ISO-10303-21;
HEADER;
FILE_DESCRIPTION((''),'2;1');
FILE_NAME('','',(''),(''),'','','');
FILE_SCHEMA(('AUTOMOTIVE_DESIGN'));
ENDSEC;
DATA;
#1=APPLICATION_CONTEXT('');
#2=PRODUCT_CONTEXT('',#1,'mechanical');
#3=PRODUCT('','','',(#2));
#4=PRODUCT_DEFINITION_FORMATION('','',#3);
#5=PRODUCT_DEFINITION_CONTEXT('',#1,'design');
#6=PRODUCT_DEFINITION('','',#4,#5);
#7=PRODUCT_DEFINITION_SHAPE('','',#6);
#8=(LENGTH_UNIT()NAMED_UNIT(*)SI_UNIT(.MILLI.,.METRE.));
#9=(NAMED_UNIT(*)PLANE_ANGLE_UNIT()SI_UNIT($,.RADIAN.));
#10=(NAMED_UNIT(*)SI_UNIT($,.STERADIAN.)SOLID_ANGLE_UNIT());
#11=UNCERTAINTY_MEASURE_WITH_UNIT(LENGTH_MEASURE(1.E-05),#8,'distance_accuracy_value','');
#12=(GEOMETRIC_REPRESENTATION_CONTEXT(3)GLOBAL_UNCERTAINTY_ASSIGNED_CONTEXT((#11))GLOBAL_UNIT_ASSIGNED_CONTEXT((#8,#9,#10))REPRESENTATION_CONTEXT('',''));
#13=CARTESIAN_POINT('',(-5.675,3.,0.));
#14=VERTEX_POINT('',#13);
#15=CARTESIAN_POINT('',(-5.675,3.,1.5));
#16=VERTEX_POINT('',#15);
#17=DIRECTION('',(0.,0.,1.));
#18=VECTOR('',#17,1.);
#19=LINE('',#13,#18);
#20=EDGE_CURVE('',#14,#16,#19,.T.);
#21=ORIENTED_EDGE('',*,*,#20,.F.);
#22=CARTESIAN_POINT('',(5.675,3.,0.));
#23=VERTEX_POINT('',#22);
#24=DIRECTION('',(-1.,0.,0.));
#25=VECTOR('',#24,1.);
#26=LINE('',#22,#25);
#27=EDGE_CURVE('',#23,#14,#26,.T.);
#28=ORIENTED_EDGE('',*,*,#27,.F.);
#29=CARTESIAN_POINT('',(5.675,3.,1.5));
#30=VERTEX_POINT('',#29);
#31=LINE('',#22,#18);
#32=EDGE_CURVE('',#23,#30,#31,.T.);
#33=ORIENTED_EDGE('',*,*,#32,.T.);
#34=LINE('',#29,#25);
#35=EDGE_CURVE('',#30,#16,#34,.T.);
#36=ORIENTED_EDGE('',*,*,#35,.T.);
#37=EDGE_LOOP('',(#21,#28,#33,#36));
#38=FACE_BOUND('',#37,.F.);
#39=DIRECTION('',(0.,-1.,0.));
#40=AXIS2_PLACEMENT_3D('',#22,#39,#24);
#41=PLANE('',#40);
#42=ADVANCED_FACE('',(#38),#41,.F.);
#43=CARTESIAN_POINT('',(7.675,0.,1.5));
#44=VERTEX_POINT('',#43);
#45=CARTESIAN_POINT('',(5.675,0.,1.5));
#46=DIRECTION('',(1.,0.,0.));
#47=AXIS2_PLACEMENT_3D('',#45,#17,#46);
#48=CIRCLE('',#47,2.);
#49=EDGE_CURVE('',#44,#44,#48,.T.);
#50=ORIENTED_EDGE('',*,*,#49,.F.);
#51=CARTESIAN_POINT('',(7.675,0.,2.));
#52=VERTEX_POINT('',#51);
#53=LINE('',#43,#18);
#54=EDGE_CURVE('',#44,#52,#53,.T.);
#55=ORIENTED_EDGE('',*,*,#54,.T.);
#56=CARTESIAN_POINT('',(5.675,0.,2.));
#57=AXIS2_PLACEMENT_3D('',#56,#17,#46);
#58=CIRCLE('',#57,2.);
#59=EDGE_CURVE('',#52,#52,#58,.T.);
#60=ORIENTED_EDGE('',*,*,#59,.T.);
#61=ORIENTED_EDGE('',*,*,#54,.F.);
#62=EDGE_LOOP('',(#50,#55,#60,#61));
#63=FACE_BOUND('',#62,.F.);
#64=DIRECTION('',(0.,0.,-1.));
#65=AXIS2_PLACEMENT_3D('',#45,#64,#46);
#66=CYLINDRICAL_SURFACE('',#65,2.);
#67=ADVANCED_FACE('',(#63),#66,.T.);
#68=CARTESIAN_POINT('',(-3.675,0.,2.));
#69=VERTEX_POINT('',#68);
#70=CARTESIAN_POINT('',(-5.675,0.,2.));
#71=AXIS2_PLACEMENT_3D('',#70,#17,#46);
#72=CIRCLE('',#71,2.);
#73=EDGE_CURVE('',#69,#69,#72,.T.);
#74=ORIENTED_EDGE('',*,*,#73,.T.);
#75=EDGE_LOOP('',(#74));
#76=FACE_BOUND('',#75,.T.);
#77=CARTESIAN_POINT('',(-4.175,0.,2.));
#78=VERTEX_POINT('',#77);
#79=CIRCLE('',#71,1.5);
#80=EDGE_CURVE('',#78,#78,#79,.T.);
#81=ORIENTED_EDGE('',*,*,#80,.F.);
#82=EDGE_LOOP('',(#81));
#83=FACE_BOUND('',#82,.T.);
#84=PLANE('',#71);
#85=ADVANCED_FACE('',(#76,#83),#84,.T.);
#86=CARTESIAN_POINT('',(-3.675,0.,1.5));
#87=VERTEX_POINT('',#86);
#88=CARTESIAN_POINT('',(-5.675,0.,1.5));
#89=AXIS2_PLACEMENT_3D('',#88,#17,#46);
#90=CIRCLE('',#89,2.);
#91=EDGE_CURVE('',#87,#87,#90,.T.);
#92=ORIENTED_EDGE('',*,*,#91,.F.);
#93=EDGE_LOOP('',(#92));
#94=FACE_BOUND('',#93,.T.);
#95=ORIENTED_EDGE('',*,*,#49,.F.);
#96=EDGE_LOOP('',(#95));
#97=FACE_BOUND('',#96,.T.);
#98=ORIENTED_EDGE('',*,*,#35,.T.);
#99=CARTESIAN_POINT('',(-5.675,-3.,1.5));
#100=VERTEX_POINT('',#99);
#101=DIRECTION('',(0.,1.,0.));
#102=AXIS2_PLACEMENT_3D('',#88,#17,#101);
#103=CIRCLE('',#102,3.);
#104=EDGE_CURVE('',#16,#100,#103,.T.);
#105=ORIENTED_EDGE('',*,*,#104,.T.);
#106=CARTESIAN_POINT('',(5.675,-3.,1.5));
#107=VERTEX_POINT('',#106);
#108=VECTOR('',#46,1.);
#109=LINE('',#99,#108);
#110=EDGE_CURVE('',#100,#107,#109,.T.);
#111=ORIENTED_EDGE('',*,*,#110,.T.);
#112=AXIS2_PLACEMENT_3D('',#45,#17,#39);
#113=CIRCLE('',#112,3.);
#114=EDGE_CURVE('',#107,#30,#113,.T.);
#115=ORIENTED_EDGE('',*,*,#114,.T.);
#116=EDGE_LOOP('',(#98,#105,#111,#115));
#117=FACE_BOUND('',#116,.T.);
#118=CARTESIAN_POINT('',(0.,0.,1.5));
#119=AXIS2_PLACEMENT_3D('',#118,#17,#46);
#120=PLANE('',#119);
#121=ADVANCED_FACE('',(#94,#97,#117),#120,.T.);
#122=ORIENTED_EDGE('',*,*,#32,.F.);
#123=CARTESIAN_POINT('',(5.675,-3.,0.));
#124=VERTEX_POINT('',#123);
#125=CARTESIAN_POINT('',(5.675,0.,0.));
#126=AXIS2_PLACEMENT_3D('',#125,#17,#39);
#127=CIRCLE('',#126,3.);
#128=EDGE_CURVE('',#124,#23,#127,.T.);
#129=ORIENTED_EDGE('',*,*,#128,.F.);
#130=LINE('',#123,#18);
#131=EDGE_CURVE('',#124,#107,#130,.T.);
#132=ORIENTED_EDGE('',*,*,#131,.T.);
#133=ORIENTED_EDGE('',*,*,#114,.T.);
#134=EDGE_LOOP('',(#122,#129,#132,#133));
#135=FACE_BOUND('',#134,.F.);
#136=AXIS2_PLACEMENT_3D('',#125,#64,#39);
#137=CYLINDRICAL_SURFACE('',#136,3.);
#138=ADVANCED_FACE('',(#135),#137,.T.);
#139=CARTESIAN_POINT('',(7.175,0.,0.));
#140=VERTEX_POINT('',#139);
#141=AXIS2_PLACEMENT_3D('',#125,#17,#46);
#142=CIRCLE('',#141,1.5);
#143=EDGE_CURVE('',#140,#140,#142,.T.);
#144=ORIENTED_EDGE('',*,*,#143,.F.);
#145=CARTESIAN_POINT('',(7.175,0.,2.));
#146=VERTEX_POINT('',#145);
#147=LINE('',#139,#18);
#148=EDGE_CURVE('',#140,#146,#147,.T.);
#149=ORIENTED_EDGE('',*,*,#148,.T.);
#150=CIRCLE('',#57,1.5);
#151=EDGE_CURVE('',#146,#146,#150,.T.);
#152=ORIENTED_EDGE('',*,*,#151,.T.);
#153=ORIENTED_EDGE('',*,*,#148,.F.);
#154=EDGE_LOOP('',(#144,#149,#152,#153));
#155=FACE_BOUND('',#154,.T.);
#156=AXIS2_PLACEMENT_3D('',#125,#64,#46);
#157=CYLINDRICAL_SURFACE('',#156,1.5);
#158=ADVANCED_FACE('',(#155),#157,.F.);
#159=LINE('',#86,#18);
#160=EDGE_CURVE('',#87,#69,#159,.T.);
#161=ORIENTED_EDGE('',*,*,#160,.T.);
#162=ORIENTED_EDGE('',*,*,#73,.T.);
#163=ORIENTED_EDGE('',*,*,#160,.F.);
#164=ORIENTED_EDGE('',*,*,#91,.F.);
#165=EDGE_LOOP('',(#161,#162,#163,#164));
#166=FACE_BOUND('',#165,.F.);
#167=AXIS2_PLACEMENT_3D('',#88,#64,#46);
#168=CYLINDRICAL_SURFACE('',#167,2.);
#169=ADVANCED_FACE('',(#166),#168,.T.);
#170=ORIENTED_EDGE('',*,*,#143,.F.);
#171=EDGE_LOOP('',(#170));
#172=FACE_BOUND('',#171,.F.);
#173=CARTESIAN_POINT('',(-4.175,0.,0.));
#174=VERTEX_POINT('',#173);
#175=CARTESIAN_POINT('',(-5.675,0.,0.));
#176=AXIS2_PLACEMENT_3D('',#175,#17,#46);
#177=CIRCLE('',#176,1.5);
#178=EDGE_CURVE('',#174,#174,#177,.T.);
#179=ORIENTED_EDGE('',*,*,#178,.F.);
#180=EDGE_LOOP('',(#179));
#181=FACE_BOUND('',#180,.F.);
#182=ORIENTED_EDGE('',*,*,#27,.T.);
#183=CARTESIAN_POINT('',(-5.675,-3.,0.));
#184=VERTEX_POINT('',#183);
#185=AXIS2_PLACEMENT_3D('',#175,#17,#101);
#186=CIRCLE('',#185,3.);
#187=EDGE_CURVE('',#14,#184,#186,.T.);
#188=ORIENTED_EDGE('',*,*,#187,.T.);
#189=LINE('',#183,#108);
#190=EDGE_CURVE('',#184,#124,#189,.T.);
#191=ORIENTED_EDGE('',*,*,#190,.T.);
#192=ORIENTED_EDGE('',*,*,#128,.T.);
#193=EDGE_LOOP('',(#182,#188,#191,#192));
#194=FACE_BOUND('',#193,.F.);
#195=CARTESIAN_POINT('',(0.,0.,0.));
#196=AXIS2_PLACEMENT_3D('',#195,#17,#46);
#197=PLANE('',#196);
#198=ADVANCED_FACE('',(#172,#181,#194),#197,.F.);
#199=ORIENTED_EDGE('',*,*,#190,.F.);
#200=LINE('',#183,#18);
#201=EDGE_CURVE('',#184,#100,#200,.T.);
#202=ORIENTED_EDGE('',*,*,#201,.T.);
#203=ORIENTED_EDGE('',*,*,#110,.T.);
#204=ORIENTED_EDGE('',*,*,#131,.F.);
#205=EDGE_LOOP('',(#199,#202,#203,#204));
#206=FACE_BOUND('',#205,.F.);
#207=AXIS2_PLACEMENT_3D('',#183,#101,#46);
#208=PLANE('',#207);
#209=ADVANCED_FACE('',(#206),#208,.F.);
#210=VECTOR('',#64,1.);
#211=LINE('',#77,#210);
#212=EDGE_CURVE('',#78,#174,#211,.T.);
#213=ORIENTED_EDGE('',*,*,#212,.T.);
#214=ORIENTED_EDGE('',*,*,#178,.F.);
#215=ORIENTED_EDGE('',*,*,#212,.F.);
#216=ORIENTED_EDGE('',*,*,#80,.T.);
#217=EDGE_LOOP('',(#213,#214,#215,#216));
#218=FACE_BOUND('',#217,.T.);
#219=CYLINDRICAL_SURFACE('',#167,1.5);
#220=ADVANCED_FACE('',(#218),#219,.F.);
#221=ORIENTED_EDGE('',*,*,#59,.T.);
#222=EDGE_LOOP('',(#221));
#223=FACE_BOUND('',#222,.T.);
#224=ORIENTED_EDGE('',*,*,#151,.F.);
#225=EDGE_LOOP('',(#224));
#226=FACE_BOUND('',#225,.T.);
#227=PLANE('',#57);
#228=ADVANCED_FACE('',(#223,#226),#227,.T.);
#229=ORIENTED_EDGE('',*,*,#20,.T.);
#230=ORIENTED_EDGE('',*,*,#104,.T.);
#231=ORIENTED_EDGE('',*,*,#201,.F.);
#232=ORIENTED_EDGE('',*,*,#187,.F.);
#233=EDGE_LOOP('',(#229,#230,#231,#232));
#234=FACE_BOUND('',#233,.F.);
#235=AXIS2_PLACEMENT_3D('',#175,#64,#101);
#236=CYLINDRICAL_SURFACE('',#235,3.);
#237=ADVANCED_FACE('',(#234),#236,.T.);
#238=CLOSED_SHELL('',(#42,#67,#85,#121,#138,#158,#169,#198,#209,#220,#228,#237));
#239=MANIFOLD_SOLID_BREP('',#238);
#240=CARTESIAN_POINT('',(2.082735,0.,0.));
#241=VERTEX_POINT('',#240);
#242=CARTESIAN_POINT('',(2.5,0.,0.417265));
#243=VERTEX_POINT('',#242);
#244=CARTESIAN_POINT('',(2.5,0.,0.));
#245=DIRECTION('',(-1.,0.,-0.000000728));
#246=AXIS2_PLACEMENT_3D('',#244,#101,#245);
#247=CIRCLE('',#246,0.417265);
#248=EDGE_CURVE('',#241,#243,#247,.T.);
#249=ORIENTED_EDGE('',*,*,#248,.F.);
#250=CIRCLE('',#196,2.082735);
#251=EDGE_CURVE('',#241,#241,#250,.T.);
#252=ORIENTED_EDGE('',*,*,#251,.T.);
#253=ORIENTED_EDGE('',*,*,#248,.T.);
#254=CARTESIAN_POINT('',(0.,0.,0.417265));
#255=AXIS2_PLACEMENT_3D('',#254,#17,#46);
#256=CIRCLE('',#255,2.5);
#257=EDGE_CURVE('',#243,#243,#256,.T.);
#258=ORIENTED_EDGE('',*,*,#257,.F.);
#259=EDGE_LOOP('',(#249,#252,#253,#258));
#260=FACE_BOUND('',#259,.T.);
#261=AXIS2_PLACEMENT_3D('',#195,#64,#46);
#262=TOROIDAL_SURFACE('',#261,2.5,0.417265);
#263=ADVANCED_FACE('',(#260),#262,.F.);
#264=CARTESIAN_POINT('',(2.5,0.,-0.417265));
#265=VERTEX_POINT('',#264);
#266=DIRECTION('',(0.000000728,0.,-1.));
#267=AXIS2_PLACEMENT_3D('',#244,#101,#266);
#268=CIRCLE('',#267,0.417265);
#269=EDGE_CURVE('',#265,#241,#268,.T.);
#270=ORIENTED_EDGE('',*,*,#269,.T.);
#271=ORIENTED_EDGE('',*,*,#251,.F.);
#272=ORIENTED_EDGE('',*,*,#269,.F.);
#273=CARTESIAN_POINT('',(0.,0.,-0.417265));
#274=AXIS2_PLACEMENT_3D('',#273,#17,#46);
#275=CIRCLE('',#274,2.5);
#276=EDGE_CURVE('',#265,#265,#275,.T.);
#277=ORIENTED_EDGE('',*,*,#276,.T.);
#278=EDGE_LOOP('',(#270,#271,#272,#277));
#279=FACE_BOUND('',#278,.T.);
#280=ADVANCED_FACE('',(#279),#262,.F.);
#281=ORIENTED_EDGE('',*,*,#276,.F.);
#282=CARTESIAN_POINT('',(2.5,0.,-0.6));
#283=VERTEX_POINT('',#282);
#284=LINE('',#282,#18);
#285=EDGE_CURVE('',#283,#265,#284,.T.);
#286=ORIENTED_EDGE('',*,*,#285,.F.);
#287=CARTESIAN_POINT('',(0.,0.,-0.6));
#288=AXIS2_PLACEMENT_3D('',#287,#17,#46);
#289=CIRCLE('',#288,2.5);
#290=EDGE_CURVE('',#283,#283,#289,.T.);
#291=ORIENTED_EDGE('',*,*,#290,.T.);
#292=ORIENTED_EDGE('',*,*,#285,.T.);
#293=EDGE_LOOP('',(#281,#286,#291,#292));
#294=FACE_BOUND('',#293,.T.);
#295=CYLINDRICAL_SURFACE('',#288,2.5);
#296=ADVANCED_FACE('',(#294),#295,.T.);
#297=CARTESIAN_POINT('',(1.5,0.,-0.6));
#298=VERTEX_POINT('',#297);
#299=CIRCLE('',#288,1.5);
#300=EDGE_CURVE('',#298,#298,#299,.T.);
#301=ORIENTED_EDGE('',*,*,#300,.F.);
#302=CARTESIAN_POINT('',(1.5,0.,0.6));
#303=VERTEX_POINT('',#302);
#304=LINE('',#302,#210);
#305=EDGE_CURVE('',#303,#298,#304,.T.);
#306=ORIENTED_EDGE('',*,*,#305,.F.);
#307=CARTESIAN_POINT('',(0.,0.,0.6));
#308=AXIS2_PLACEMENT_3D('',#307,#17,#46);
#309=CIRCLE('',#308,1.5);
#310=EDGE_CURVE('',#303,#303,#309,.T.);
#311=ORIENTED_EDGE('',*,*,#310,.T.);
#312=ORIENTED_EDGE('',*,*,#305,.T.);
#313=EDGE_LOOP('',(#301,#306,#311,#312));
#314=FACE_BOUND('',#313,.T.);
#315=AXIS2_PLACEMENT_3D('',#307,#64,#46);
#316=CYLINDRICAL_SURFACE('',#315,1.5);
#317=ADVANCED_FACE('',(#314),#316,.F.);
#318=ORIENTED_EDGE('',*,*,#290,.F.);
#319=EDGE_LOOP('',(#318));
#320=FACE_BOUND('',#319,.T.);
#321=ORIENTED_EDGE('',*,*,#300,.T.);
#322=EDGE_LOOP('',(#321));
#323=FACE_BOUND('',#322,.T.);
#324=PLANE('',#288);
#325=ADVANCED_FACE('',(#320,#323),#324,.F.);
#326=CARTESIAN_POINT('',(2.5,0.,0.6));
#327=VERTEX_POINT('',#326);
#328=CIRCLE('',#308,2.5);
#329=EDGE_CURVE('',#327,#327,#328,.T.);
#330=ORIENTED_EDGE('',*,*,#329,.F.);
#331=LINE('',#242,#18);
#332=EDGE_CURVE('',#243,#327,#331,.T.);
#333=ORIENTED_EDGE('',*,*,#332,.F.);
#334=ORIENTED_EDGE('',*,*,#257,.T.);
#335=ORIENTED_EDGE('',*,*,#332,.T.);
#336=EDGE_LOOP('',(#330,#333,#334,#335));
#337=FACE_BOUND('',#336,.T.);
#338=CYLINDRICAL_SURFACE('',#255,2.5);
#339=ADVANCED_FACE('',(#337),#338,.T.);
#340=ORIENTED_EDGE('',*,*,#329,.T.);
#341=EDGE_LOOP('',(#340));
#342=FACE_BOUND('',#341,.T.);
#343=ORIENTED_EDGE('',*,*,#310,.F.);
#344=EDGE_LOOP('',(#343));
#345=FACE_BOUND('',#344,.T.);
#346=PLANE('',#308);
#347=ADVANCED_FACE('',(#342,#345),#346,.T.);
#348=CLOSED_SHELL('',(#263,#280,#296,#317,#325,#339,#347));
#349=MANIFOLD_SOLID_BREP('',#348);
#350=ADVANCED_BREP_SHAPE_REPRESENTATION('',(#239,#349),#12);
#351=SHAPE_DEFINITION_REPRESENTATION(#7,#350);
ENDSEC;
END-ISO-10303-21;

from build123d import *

# Parameters (mm, degrees)
F0_R     = 1.5
F1_DEPTH = 1.5
F2_R     = 2
F2_R_2   = 1.5
F3_DEPTH = 0.5


with BuildPart() as f1:
    # F0 (on Top) → F1 (new body)
    with BuildSketch(Plane.XY):
        with BuildLine():
            Line((0, 3), (-5.675, 3))
            ThreePointArc((-5.675, 3), (-8.675, 0), (-5.675, -3))
            Line((-5.675, -3), (0, -3))
            Line((0, -3), (5.675, -3))
            ThreePointArc((5.675, -3), (8.675, 0), (5.675, 3))
            Line((5.675, 3), (0, 3))
        make_face()
        with Locations((-5.675, 0)):
            Circle(F0_R, mode=Mode.SUBTRACT)
        with Locations((5.675, 0)):
            Circle(F0_R, mode=Mode.SUBTRACT)
    extrude(amount=F1_DEPTH)

    # F2 (on face) → F3 (join)
    with BuildSketch(Plane.XY.offset(1.5)):
        with Locations((-5.675, 0)):
            Circle(F2_R)
        with Locations((-5.675, 0)):
            Circle(F2_R_2, mode=Mode.SUBTRACT)
        with Locations((5.675, 0)):
            Circle(F2_R)
        with Locations((5.675, 0)):
            Circle(F2_R_2, mode=Mode.SUBTRACT)
    extrude(amount=F3_DEPTH)


with BuildPart() as f5:
    # F4 (on Front) → F5 (revolve)
    with BuildSketch(Plane.XZ):
        with BuildLine():
            Line((1.5, 0.6), (1.5, 0))
            Line((1.5, 0), (1.5, -0.6))
            Line((1.5, -0.6), (2.5, -0.6))
            Line((2.5, -0.6), (2.5, -0.417265))
            ThreePointArc((2.5, -0.417265), (2.204949, -0.295051), (2.082735, 0))
            ThreePointArc((2.082735, 0), (2.204949, 0.295051), (2.5, 0.417265))
            Line((2.5, 0.417265), (2.5, 0.6))
            Line((2.5, 0.6), (1.5, 0.6))
        make_face()
    revolve(axis=Axis((0, 0, 0.320348), (0, 0, 1)))


solid = Compound([f1.part, f5.part])
